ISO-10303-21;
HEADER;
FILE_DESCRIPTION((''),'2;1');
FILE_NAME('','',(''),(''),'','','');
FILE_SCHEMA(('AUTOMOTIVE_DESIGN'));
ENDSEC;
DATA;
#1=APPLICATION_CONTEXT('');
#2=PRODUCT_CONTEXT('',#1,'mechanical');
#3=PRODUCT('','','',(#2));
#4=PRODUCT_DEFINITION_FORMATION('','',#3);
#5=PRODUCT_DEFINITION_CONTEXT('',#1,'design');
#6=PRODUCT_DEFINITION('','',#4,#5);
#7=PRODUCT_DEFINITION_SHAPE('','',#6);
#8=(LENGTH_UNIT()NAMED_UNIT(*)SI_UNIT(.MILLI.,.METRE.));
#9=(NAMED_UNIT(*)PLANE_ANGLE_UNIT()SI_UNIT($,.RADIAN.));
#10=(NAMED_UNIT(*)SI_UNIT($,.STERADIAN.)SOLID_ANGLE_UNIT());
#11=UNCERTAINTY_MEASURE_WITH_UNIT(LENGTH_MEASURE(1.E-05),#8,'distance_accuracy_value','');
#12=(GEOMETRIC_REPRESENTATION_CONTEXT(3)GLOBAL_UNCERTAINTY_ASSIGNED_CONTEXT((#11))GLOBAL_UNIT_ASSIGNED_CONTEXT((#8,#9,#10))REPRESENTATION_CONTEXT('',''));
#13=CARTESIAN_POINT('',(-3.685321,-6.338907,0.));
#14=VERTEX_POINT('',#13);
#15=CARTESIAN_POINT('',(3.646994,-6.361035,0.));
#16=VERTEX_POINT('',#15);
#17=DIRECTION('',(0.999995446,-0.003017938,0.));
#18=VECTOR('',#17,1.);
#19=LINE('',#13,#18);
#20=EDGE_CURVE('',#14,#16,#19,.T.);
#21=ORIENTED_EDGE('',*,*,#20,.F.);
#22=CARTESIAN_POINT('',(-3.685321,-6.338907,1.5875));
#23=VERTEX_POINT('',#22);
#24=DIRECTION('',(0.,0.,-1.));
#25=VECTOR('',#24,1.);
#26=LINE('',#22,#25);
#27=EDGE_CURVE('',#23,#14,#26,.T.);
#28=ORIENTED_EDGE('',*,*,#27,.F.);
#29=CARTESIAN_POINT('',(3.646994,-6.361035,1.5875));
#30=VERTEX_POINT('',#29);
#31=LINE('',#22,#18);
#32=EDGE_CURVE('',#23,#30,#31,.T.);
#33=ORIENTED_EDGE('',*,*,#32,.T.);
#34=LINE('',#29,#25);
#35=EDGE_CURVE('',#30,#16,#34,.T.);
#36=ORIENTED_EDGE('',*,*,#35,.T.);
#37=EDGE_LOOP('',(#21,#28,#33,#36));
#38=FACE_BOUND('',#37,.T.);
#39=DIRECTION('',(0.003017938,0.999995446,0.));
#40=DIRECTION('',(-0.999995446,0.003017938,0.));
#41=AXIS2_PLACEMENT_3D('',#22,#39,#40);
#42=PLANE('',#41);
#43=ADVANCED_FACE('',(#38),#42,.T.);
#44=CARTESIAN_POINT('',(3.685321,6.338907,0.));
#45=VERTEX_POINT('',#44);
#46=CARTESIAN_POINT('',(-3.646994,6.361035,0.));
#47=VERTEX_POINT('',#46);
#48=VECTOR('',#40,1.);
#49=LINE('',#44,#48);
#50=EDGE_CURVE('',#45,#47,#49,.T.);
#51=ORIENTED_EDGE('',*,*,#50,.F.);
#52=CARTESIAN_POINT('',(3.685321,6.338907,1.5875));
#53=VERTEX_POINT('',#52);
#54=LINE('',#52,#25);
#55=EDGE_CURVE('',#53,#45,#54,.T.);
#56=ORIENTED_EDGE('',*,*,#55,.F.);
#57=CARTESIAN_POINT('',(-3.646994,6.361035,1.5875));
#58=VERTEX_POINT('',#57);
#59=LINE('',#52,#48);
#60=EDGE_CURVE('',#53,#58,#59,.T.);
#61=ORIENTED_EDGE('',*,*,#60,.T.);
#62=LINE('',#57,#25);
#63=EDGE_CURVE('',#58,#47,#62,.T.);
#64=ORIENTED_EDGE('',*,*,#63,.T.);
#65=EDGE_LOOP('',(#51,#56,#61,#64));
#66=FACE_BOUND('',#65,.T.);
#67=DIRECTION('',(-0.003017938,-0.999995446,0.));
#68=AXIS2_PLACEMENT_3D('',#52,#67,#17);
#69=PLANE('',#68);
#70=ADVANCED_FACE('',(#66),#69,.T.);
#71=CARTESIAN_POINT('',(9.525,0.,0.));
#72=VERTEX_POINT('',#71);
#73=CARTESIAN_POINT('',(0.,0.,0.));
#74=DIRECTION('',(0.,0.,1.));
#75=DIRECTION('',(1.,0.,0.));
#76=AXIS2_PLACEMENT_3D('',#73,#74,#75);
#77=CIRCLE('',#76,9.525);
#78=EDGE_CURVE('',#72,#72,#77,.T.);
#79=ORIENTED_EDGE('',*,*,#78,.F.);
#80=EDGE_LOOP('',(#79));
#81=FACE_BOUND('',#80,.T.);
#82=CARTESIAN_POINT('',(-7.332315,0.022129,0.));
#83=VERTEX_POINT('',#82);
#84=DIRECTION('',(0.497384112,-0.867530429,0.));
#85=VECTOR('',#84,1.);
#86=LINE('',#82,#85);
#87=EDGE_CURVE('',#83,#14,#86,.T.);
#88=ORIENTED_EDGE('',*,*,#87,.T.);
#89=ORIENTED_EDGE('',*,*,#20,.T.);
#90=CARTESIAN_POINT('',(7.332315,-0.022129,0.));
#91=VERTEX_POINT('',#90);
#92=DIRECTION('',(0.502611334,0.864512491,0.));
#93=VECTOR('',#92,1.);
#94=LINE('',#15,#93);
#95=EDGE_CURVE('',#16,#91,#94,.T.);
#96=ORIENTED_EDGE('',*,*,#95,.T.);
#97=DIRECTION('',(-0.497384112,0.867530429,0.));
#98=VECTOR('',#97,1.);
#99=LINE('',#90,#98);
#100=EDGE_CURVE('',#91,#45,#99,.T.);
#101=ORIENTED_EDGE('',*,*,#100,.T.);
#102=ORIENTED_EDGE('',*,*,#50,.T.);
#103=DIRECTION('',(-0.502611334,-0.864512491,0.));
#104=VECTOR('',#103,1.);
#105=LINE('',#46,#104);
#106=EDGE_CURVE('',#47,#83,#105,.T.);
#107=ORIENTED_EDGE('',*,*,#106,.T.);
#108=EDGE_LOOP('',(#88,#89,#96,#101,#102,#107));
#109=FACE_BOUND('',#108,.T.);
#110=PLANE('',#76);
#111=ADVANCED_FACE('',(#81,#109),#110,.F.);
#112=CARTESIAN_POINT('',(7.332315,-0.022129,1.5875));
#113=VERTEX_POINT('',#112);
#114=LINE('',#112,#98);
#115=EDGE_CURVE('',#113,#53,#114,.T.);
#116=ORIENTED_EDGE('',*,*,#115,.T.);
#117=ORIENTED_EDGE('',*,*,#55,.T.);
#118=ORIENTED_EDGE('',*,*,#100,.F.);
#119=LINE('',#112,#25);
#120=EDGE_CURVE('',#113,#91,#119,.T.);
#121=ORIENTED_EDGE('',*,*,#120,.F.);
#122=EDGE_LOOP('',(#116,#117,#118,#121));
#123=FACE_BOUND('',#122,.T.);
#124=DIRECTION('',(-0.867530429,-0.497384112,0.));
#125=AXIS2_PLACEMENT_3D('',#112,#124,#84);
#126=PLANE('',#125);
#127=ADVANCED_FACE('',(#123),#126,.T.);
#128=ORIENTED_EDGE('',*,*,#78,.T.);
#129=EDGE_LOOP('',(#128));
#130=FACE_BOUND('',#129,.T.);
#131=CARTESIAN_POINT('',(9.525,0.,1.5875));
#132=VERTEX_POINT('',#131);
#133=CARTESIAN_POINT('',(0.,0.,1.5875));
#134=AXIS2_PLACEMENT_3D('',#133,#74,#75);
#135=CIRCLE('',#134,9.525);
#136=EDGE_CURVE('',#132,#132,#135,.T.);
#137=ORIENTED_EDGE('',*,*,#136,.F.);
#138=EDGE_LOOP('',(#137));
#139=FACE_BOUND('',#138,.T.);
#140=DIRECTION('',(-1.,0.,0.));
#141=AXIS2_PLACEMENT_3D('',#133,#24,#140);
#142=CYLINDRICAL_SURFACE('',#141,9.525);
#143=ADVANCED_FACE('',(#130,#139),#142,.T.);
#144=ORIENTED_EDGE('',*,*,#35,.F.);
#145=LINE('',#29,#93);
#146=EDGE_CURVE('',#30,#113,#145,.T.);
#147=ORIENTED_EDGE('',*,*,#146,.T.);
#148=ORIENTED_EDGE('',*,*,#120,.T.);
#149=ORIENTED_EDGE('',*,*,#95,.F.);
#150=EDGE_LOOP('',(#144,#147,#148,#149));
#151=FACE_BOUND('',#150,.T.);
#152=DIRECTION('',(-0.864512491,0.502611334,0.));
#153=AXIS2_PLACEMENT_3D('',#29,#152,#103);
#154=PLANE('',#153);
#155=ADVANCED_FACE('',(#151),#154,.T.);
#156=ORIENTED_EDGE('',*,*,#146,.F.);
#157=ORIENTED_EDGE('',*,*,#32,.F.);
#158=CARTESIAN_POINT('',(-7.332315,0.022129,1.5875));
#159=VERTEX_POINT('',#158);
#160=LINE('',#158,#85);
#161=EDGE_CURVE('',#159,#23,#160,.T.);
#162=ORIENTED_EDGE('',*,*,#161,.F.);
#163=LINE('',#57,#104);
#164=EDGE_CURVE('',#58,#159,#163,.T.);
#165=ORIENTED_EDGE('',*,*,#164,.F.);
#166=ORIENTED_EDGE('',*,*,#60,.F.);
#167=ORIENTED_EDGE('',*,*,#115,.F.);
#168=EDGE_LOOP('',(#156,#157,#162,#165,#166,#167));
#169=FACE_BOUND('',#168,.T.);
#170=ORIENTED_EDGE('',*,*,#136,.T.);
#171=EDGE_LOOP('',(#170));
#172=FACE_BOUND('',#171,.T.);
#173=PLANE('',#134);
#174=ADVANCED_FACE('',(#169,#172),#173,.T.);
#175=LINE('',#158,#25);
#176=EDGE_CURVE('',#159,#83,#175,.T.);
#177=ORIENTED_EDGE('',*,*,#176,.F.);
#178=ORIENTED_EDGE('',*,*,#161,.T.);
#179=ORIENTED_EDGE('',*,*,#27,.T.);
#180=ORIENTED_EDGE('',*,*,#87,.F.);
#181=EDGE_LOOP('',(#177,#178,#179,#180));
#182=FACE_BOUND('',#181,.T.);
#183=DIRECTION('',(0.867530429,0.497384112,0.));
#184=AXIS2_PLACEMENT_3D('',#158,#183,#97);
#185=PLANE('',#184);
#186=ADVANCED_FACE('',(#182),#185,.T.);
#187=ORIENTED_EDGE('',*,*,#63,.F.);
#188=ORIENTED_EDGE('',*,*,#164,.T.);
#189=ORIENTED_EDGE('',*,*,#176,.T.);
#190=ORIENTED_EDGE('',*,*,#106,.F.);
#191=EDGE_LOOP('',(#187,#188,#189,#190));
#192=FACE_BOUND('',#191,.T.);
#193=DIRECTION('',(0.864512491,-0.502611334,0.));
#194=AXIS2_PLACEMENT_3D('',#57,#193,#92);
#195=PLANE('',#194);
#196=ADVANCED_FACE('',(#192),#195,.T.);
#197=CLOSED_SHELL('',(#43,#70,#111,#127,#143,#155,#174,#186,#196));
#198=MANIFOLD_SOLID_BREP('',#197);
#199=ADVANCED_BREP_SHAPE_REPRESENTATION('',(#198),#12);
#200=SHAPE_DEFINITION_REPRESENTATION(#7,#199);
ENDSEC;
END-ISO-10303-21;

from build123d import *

# Parameters (mm, degrees)
SKETCH1_R           = 9.525
BOSS_EXTRUDE1_DEPTH = 1.5875


with BuildPart() as part:
    # Sketch1 → Boss-Extrude1 (new body)
    with BuildSketch(Plane.XY):
        Circle(SKETCH1_R)
        Polygon((3.64699361, -6.361035367), (7.332315027, -0.022128569), (3.685321417, 6.338906797), (-3.64699361, 6.361035367), (-7.332315027, 0.022128569), (-3.685321417, -6.338906797), align=None, mode=Mode.SUBTRACT)
    extrude(amount=BOSS_EXTRUDE1_DEPTH)


solid = part.part
